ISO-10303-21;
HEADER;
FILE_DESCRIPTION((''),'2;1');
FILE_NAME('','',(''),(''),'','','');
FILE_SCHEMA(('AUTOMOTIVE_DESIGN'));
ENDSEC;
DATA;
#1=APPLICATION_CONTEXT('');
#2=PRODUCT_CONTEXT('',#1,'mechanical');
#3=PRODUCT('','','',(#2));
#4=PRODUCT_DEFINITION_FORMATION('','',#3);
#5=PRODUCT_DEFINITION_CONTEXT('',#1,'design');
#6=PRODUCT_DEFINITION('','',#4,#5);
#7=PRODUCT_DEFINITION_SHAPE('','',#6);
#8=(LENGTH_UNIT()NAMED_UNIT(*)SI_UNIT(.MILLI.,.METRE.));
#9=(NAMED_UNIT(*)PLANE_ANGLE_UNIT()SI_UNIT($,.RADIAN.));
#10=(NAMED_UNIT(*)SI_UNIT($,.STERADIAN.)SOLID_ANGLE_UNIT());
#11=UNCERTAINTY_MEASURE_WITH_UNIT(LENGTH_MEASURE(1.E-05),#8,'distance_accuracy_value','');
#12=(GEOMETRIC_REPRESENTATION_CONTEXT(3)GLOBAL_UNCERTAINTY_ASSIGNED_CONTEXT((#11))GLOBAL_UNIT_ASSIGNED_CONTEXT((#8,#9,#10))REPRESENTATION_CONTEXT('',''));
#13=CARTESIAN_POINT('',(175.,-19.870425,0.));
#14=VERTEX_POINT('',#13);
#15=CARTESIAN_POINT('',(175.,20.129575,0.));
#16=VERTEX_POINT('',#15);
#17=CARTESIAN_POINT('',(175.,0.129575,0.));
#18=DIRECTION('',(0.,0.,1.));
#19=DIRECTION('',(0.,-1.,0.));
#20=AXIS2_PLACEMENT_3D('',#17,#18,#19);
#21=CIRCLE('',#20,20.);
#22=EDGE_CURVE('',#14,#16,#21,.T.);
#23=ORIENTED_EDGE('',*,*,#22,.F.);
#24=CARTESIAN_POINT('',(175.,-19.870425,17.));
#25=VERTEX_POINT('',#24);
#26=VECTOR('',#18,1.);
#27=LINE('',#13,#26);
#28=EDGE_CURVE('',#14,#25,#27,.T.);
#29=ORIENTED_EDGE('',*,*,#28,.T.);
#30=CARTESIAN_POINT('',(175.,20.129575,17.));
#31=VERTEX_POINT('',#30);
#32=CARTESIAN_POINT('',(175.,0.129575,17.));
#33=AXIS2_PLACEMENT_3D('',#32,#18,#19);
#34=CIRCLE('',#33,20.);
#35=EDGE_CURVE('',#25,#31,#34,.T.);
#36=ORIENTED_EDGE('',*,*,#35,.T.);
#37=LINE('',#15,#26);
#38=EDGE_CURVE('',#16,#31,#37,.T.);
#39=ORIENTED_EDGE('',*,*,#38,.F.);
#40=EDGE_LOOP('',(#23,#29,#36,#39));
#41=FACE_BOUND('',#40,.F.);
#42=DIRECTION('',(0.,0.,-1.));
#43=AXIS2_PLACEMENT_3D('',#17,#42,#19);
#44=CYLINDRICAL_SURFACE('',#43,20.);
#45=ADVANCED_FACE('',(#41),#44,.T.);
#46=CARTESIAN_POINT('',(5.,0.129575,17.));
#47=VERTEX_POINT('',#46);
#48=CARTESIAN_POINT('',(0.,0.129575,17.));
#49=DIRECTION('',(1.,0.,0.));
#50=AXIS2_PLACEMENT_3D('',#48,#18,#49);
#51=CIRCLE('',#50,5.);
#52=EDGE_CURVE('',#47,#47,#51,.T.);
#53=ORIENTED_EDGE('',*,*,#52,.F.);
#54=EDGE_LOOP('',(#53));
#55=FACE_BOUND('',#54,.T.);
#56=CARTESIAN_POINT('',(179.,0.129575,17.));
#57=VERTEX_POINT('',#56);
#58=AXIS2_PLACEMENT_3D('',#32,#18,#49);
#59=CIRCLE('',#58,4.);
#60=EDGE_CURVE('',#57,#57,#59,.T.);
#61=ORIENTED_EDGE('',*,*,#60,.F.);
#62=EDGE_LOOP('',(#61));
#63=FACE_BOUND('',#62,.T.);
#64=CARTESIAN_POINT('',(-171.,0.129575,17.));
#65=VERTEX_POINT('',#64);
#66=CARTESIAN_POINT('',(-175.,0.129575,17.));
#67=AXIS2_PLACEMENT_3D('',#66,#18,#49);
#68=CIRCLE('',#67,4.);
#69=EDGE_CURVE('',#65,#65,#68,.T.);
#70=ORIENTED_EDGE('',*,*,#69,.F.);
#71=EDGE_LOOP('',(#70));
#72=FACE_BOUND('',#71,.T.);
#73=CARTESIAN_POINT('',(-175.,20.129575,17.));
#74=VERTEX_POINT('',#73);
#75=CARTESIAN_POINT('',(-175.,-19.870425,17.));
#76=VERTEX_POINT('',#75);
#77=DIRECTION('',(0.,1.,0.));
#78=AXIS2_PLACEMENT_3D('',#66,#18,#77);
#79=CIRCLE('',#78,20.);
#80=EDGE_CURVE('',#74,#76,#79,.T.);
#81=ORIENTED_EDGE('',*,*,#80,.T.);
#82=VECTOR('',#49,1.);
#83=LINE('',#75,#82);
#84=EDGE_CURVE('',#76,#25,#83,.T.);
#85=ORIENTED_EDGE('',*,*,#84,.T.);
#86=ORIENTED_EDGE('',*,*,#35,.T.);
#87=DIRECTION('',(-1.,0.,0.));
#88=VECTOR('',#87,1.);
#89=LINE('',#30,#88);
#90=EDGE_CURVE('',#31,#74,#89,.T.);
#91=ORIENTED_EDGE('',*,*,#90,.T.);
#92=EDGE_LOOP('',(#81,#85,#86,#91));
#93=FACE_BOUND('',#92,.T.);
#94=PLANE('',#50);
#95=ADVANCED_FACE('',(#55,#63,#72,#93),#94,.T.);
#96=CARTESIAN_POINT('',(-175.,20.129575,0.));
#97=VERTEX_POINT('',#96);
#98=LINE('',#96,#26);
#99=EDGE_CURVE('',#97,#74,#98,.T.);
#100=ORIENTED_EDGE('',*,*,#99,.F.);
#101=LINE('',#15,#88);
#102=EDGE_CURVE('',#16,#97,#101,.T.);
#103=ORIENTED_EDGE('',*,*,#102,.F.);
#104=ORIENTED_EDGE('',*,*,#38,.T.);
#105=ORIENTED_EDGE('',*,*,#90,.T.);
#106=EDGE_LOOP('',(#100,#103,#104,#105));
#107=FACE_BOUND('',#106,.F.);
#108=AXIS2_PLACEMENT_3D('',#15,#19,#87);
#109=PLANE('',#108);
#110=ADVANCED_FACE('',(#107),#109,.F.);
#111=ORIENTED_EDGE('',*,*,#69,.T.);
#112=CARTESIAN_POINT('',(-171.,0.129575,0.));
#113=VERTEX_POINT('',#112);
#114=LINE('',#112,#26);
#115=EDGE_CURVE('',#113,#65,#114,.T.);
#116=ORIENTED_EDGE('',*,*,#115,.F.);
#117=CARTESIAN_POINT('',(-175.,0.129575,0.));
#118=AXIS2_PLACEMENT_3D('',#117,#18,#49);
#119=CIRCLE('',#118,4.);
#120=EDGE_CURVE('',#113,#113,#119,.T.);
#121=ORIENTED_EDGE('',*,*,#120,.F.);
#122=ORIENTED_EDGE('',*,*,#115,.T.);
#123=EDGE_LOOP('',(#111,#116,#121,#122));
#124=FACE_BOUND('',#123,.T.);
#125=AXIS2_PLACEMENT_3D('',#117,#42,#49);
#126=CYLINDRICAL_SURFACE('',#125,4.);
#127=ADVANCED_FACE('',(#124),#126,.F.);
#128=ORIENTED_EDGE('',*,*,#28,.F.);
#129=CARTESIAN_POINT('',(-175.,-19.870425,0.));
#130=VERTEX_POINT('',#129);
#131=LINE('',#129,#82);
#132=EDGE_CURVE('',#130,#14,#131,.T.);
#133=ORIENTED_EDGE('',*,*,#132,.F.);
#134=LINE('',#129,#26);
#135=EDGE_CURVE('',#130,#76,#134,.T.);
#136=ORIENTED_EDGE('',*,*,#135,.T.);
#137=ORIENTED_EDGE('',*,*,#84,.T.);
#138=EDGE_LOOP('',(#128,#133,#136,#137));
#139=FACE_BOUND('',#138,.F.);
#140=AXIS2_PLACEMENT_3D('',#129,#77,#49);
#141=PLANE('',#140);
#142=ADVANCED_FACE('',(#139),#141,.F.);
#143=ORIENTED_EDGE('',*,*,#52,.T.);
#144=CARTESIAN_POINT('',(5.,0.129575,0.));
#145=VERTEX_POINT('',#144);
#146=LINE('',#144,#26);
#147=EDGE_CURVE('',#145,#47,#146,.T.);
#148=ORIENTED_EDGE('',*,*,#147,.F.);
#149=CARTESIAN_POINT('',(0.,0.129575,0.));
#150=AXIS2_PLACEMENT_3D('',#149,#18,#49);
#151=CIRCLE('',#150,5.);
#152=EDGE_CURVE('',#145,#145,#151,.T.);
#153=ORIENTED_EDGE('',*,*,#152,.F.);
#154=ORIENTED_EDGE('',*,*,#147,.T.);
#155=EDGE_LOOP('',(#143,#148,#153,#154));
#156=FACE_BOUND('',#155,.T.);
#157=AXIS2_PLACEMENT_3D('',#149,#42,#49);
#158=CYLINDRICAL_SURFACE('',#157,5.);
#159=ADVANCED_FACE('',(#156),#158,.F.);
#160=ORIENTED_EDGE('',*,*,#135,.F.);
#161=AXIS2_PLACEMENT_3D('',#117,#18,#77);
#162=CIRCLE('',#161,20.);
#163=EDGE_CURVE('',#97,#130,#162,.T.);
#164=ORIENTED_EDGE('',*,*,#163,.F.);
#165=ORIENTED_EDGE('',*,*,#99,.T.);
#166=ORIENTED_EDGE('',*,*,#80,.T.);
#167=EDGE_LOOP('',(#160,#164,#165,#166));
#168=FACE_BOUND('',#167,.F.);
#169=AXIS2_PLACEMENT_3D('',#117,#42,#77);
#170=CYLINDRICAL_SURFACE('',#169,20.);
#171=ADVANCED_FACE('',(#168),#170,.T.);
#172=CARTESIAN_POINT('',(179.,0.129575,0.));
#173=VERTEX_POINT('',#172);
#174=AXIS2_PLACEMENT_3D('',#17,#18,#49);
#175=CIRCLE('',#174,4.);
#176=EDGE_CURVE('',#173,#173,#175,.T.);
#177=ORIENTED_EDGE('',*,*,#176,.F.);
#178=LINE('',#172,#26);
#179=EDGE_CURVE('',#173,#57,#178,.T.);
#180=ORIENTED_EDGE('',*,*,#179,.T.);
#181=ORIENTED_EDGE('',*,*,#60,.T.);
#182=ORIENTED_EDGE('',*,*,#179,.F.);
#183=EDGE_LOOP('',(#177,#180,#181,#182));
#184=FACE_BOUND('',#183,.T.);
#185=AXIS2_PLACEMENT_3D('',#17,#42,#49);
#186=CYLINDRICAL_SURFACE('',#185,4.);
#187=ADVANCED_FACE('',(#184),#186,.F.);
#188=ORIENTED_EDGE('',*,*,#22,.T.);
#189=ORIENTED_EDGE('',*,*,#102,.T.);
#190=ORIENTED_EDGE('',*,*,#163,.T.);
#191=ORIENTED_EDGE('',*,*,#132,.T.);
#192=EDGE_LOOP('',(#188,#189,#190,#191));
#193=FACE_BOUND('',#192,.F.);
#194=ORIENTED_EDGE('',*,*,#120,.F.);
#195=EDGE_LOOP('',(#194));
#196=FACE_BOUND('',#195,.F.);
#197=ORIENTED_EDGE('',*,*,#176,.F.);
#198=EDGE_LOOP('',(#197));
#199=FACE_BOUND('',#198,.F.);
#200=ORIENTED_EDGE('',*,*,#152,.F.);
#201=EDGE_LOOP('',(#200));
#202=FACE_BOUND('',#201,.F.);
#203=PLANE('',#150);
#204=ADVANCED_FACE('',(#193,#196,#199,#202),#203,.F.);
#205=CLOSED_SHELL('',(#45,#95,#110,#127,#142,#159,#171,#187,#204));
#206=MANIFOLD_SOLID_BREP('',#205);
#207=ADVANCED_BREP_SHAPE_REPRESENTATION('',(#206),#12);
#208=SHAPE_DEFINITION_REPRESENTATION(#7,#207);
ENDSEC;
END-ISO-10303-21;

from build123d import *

# Parameters (mm, degrees)
F0_R     = 4
F0_R_2   = 5
F1_DEPTH = 17


with BuildPart() as f1:
    # F0 (on Top) → F1 (new body)
    with BuildSketch(Plane.XY):
        with BuildLine():
            ThreePointArc((175, -19.870425), (195, 0.129575), (175, 20.129575))
            Line((175, 20.129575), (-175, 20.129575))
            ThreePointArc((-175, 20.129575), (-195, 0.129575), (-175, -19.870425))
            Line((-175, -19.870425), (175, -19.870425))
        make_face()
        with Locations((-175, 0.129575)):
            Circle(F0_R, mode=Mode.SUBTRACT)
        with Locations((0, 0.129575)):
            Circle(F0_R_2, mode=Mode.SUBTRACT)
        with Locations((175, 0.129575)):
            Circle(F0_R, mode=Mode.SUBTRACT)
    extrude(amount=F1_DEPTH)


solid = f1.part
